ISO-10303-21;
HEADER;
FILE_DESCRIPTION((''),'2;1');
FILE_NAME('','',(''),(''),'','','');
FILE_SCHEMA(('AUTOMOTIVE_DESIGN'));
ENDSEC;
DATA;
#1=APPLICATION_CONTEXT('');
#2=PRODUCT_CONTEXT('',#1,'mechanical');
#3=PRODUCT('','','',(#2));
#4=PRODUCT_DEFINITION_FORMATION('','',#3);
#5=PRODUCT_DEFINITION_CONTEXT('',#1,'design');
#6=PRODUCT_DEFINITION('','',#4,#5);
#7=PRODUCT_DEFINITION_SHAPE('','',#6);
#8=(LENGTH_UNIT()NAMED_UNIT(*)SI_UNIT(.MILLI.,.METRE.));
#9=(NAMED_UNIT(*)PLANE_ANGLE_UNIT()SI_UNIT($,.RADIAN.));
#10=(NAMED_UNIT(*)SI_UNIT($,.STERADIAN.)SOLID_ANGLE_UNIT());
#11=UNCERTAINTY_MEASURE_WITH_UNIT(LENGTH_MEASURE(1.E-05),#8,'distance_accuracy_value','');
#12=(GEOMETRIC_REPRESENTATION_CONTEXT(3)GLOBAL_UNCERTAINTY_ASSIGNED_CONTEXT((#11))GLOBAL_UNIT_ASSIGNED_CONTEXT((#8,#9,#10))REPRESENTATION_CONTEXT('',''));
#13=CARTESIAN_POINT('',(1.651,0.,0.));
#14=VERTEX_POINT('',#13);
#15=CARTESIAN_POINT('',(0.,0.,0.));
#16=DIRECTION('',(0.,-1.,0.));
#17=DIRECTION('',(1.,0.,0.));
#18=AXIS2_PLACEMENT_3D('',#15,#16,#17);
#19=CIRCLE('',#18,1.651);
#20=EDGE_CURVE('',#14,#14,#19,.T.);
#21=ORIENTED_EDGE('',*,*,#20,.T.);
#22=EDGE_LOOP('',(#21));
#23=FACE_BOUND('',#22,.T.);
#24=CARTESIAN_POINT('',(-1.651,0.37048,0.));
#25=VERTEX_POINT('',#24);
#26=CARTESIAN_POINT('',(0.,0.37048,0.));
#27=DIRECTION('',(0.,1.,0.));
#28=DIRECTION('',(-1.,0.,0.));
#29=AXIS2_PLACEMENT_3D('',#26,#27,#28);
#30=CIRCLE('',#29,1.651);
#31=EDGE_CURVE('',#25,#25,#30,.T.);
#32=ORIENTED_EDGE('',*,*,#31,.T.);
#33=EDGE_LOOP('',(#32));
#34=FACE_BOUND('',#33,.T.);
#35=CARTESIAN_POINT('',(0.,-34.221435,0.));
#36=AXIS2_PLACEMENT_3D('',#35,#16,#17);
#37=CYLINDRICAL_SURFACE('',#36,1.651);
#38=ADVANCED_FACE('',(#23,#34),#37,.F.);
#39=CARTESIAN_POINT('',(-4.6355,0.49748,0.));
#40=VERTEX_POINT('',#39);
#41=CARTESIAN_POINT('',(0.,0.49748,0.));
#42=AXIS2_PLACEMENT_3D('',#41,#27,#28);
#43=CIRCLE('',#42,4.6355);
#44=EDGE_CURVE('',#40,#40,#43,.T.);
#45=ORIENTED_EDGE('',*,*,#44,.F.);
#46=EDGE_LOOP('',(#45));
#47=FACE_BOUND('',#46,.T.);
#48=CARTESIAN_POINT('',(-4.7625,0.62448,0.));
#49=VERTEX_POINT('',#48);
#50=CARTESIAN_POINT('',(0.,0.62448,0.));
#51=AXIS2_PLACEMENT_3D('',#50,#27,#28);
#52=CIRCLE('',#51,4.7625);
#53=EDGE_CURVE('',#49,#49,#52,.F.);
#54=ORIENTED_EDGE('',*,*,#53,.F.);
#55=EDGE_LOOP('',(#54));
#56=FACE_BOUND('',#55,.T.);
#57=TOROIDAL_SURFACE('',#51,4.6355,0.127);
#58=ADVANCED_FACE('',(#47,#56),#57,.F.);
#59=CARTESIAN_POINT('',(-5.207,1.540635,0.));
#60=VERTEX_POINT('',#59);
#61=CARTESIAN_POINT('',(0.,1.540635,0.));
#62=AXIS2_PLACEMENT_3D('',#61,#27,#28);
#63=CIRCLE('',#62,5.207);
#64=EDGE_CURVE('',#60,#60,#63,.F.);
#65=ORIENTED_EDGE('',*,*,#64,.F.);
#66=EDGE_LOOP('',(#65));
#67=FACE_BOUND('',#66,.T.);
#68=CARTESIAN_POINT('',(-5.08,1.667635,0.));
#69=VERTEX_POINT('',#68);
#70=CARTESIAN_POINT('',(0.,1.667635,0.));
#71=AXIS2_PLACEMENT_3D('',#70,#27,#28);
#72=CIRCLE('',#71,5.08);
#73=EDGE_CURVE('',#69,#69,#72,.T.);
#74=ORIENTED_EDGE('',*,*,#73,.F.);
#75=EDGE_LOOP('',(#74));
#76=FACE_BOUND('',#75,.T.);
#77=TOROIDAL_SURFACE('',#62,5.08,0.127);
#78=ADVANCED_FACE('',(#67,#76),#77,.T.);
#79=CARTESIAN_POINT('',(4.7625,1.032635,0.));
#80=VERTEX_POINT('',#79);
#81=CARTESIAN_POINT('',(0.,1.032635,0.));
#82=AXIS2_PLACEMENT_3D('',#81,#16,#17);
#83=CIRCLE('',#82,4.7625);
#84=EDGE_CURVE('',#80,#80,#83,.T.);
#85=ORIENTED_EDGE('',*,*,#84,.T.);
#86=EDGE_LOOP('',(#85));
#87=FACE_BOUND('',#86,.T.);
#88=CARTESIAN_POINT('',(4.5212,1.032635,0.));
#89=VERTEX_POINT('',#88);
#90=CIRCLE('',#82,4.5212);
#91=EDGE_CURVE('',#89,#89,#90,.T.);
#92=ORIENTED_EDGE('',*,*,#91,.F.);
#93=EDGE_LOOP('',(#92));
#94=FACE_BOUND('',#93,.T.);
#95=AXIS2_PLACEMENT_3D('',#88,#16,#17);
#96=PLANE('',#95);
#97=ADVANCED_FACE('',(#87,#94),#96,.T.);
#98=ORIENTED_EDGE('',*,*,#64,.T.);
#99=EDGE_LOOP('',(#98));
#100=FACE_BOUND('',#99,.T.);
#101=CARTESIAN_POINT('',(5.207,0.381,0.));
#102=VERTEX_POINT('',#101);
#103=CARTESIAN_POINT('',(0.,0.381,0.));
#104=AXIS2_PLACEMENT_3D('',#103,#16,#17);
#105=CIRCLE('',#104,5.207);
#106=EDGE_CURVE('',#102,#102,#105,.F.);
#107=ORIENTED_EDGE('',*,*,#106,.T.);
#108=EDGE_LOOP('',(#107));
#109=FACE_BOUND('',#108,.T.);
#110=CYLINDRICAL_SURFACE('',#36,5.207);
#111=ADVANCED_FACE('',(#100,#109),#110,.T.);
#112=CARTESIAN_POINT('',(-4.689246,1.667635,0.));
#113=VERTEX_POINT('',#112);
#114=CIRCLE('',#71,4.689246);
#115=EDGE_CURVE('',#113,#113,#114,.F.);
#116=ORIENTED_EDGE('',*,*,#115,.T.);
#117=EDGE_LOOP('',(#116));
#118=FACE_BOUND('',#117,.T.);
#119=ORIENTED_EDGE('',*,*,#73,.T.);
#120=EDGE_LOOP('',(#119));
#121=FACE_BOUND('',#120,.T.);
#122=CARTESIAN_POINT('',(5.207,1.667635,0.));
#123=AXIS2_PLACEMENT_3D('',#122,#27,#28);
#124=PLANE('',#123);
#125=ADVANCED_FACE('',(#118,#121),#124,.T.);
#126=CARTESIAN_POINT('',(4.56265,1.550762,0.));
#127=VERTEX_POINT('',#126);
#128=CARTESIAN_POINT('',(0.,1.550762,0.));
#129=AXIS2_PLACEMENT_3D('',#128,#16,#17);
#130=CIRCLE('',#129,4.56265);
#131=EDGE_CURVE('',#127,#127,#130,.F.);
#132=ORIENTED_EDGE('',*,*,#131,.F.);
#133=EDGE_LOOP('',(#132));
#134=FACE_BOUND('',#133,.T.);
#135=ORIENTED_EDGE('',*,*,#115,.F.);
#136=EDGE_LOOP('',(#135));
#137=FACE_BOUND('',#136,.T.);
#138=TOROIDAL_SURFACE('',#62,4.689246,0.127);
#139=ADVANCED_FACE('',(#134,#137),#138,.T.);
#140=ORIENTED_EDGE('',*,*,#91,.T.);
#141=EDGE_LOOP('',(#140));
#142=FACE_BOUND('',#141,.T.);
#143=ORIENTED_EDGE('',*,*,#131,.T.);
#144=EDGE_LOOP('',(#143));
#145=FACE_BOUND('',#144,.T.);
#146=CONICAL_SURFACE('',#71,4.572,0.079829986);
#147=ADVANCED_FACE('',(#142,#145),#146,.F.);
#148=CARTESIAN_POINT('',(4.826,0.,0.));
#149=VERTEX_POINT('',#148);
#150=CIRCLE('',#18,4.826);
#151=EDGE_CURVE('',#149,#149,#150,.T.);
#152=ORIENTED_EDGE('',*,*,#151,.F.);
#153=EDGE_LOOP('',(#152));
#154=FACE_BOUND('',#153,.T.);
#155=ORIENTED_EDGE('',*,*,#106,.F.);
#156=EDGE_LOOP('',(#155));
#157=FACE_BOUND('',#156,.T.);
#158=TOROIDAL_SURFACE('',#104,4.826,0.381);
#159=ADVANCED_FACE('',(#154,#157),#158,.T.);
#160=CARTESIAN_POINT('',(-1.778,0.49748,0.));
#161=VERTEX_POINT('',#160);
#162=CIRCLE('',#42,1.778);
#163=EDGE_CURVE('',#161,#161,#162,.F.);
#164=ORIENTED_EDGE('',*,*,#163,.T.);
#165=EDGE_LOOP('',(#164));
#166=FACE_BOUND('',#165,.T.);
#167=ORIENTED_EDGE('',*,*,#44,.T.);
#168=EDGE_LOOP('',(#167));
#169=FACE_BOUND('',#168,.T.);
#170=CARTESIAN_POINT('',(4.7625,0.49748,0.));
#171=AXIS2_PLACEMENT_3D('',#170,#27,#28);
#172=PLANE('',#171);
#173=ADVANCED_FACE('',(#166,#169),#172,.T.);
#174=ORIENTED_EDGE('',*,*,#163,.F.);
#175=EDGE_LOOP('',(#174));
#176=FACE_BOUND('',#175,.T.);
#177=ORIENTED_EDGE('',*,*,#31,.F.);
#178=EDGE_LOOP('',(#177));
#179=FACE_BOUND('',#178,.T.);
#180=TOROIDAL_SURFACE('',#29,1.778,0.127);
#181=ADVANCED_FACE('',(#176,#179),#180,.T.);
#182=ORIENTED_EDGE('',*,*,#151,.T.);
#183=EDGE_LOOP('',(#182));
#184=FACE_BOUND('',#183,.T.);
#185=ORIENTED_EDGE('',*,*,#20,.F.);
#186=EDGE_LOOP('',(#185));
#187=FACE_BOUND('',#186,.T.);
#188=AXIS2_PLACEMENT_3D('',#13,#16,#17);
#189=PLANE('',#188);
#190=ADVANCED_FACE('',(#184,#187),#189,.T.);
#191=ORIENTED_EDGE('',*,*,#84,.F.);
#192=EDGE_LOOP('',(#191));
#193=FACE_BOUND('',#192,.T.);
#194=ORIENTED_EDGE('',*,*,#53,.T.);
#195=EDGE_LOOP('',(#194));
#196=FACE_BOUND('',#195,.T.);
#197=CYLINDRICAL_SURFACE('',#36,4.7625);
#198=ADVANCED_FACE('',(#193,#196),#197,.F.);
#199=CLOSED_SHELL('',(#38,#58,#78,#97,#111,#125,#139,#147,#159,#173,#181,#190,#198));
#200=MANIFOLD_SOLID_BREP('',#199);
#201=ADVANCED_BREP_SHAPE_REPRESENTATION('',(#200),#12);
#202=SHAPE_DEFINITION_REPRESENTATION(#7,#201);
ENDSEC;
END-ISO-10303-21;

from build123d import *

# Parameters (mm, degrees)
FILLET1_R = 0.381
FILLET2_R = 0.127


with BuildPart() as part:
    # Sketch1 → Revolve1 (revolve)
    with BuildSketch(Plane.XY):
        Polygon((1.651, 0), (5.207, 0), (5.207, 1.667634761), (4.572, 1.667634761), (4.5212, 1.032634761), (4.7625, 1.032634761), (4.7625, 0.49747982), (1.651, 0.49747982), align=None)
    revolve(axis=Axis((0, -34.221434911, 0), (0, 1, 0)))

    # Fillet1
    fillet1_edges = [part.edges().sort_by_distance(p)[0] for p in [
        (-5.207, 0, 0),
    ]]
    fillet(fillet1_edges, radius=FILLET1_R)

    # Fillet2
    fillet2_edges = [part.edges().sort_by_distance(p)[0] for p in [
        (-1.651, 0.49747982, 0),
        (-4.7625, 0.49747982, 0),
        (-4.572, 1.667634761, 0),
        (-5.207, 1.667634761, 0),
    ]]
    fillet(fillet2_edges, radius=FILLET2_R)


solid = part.part
